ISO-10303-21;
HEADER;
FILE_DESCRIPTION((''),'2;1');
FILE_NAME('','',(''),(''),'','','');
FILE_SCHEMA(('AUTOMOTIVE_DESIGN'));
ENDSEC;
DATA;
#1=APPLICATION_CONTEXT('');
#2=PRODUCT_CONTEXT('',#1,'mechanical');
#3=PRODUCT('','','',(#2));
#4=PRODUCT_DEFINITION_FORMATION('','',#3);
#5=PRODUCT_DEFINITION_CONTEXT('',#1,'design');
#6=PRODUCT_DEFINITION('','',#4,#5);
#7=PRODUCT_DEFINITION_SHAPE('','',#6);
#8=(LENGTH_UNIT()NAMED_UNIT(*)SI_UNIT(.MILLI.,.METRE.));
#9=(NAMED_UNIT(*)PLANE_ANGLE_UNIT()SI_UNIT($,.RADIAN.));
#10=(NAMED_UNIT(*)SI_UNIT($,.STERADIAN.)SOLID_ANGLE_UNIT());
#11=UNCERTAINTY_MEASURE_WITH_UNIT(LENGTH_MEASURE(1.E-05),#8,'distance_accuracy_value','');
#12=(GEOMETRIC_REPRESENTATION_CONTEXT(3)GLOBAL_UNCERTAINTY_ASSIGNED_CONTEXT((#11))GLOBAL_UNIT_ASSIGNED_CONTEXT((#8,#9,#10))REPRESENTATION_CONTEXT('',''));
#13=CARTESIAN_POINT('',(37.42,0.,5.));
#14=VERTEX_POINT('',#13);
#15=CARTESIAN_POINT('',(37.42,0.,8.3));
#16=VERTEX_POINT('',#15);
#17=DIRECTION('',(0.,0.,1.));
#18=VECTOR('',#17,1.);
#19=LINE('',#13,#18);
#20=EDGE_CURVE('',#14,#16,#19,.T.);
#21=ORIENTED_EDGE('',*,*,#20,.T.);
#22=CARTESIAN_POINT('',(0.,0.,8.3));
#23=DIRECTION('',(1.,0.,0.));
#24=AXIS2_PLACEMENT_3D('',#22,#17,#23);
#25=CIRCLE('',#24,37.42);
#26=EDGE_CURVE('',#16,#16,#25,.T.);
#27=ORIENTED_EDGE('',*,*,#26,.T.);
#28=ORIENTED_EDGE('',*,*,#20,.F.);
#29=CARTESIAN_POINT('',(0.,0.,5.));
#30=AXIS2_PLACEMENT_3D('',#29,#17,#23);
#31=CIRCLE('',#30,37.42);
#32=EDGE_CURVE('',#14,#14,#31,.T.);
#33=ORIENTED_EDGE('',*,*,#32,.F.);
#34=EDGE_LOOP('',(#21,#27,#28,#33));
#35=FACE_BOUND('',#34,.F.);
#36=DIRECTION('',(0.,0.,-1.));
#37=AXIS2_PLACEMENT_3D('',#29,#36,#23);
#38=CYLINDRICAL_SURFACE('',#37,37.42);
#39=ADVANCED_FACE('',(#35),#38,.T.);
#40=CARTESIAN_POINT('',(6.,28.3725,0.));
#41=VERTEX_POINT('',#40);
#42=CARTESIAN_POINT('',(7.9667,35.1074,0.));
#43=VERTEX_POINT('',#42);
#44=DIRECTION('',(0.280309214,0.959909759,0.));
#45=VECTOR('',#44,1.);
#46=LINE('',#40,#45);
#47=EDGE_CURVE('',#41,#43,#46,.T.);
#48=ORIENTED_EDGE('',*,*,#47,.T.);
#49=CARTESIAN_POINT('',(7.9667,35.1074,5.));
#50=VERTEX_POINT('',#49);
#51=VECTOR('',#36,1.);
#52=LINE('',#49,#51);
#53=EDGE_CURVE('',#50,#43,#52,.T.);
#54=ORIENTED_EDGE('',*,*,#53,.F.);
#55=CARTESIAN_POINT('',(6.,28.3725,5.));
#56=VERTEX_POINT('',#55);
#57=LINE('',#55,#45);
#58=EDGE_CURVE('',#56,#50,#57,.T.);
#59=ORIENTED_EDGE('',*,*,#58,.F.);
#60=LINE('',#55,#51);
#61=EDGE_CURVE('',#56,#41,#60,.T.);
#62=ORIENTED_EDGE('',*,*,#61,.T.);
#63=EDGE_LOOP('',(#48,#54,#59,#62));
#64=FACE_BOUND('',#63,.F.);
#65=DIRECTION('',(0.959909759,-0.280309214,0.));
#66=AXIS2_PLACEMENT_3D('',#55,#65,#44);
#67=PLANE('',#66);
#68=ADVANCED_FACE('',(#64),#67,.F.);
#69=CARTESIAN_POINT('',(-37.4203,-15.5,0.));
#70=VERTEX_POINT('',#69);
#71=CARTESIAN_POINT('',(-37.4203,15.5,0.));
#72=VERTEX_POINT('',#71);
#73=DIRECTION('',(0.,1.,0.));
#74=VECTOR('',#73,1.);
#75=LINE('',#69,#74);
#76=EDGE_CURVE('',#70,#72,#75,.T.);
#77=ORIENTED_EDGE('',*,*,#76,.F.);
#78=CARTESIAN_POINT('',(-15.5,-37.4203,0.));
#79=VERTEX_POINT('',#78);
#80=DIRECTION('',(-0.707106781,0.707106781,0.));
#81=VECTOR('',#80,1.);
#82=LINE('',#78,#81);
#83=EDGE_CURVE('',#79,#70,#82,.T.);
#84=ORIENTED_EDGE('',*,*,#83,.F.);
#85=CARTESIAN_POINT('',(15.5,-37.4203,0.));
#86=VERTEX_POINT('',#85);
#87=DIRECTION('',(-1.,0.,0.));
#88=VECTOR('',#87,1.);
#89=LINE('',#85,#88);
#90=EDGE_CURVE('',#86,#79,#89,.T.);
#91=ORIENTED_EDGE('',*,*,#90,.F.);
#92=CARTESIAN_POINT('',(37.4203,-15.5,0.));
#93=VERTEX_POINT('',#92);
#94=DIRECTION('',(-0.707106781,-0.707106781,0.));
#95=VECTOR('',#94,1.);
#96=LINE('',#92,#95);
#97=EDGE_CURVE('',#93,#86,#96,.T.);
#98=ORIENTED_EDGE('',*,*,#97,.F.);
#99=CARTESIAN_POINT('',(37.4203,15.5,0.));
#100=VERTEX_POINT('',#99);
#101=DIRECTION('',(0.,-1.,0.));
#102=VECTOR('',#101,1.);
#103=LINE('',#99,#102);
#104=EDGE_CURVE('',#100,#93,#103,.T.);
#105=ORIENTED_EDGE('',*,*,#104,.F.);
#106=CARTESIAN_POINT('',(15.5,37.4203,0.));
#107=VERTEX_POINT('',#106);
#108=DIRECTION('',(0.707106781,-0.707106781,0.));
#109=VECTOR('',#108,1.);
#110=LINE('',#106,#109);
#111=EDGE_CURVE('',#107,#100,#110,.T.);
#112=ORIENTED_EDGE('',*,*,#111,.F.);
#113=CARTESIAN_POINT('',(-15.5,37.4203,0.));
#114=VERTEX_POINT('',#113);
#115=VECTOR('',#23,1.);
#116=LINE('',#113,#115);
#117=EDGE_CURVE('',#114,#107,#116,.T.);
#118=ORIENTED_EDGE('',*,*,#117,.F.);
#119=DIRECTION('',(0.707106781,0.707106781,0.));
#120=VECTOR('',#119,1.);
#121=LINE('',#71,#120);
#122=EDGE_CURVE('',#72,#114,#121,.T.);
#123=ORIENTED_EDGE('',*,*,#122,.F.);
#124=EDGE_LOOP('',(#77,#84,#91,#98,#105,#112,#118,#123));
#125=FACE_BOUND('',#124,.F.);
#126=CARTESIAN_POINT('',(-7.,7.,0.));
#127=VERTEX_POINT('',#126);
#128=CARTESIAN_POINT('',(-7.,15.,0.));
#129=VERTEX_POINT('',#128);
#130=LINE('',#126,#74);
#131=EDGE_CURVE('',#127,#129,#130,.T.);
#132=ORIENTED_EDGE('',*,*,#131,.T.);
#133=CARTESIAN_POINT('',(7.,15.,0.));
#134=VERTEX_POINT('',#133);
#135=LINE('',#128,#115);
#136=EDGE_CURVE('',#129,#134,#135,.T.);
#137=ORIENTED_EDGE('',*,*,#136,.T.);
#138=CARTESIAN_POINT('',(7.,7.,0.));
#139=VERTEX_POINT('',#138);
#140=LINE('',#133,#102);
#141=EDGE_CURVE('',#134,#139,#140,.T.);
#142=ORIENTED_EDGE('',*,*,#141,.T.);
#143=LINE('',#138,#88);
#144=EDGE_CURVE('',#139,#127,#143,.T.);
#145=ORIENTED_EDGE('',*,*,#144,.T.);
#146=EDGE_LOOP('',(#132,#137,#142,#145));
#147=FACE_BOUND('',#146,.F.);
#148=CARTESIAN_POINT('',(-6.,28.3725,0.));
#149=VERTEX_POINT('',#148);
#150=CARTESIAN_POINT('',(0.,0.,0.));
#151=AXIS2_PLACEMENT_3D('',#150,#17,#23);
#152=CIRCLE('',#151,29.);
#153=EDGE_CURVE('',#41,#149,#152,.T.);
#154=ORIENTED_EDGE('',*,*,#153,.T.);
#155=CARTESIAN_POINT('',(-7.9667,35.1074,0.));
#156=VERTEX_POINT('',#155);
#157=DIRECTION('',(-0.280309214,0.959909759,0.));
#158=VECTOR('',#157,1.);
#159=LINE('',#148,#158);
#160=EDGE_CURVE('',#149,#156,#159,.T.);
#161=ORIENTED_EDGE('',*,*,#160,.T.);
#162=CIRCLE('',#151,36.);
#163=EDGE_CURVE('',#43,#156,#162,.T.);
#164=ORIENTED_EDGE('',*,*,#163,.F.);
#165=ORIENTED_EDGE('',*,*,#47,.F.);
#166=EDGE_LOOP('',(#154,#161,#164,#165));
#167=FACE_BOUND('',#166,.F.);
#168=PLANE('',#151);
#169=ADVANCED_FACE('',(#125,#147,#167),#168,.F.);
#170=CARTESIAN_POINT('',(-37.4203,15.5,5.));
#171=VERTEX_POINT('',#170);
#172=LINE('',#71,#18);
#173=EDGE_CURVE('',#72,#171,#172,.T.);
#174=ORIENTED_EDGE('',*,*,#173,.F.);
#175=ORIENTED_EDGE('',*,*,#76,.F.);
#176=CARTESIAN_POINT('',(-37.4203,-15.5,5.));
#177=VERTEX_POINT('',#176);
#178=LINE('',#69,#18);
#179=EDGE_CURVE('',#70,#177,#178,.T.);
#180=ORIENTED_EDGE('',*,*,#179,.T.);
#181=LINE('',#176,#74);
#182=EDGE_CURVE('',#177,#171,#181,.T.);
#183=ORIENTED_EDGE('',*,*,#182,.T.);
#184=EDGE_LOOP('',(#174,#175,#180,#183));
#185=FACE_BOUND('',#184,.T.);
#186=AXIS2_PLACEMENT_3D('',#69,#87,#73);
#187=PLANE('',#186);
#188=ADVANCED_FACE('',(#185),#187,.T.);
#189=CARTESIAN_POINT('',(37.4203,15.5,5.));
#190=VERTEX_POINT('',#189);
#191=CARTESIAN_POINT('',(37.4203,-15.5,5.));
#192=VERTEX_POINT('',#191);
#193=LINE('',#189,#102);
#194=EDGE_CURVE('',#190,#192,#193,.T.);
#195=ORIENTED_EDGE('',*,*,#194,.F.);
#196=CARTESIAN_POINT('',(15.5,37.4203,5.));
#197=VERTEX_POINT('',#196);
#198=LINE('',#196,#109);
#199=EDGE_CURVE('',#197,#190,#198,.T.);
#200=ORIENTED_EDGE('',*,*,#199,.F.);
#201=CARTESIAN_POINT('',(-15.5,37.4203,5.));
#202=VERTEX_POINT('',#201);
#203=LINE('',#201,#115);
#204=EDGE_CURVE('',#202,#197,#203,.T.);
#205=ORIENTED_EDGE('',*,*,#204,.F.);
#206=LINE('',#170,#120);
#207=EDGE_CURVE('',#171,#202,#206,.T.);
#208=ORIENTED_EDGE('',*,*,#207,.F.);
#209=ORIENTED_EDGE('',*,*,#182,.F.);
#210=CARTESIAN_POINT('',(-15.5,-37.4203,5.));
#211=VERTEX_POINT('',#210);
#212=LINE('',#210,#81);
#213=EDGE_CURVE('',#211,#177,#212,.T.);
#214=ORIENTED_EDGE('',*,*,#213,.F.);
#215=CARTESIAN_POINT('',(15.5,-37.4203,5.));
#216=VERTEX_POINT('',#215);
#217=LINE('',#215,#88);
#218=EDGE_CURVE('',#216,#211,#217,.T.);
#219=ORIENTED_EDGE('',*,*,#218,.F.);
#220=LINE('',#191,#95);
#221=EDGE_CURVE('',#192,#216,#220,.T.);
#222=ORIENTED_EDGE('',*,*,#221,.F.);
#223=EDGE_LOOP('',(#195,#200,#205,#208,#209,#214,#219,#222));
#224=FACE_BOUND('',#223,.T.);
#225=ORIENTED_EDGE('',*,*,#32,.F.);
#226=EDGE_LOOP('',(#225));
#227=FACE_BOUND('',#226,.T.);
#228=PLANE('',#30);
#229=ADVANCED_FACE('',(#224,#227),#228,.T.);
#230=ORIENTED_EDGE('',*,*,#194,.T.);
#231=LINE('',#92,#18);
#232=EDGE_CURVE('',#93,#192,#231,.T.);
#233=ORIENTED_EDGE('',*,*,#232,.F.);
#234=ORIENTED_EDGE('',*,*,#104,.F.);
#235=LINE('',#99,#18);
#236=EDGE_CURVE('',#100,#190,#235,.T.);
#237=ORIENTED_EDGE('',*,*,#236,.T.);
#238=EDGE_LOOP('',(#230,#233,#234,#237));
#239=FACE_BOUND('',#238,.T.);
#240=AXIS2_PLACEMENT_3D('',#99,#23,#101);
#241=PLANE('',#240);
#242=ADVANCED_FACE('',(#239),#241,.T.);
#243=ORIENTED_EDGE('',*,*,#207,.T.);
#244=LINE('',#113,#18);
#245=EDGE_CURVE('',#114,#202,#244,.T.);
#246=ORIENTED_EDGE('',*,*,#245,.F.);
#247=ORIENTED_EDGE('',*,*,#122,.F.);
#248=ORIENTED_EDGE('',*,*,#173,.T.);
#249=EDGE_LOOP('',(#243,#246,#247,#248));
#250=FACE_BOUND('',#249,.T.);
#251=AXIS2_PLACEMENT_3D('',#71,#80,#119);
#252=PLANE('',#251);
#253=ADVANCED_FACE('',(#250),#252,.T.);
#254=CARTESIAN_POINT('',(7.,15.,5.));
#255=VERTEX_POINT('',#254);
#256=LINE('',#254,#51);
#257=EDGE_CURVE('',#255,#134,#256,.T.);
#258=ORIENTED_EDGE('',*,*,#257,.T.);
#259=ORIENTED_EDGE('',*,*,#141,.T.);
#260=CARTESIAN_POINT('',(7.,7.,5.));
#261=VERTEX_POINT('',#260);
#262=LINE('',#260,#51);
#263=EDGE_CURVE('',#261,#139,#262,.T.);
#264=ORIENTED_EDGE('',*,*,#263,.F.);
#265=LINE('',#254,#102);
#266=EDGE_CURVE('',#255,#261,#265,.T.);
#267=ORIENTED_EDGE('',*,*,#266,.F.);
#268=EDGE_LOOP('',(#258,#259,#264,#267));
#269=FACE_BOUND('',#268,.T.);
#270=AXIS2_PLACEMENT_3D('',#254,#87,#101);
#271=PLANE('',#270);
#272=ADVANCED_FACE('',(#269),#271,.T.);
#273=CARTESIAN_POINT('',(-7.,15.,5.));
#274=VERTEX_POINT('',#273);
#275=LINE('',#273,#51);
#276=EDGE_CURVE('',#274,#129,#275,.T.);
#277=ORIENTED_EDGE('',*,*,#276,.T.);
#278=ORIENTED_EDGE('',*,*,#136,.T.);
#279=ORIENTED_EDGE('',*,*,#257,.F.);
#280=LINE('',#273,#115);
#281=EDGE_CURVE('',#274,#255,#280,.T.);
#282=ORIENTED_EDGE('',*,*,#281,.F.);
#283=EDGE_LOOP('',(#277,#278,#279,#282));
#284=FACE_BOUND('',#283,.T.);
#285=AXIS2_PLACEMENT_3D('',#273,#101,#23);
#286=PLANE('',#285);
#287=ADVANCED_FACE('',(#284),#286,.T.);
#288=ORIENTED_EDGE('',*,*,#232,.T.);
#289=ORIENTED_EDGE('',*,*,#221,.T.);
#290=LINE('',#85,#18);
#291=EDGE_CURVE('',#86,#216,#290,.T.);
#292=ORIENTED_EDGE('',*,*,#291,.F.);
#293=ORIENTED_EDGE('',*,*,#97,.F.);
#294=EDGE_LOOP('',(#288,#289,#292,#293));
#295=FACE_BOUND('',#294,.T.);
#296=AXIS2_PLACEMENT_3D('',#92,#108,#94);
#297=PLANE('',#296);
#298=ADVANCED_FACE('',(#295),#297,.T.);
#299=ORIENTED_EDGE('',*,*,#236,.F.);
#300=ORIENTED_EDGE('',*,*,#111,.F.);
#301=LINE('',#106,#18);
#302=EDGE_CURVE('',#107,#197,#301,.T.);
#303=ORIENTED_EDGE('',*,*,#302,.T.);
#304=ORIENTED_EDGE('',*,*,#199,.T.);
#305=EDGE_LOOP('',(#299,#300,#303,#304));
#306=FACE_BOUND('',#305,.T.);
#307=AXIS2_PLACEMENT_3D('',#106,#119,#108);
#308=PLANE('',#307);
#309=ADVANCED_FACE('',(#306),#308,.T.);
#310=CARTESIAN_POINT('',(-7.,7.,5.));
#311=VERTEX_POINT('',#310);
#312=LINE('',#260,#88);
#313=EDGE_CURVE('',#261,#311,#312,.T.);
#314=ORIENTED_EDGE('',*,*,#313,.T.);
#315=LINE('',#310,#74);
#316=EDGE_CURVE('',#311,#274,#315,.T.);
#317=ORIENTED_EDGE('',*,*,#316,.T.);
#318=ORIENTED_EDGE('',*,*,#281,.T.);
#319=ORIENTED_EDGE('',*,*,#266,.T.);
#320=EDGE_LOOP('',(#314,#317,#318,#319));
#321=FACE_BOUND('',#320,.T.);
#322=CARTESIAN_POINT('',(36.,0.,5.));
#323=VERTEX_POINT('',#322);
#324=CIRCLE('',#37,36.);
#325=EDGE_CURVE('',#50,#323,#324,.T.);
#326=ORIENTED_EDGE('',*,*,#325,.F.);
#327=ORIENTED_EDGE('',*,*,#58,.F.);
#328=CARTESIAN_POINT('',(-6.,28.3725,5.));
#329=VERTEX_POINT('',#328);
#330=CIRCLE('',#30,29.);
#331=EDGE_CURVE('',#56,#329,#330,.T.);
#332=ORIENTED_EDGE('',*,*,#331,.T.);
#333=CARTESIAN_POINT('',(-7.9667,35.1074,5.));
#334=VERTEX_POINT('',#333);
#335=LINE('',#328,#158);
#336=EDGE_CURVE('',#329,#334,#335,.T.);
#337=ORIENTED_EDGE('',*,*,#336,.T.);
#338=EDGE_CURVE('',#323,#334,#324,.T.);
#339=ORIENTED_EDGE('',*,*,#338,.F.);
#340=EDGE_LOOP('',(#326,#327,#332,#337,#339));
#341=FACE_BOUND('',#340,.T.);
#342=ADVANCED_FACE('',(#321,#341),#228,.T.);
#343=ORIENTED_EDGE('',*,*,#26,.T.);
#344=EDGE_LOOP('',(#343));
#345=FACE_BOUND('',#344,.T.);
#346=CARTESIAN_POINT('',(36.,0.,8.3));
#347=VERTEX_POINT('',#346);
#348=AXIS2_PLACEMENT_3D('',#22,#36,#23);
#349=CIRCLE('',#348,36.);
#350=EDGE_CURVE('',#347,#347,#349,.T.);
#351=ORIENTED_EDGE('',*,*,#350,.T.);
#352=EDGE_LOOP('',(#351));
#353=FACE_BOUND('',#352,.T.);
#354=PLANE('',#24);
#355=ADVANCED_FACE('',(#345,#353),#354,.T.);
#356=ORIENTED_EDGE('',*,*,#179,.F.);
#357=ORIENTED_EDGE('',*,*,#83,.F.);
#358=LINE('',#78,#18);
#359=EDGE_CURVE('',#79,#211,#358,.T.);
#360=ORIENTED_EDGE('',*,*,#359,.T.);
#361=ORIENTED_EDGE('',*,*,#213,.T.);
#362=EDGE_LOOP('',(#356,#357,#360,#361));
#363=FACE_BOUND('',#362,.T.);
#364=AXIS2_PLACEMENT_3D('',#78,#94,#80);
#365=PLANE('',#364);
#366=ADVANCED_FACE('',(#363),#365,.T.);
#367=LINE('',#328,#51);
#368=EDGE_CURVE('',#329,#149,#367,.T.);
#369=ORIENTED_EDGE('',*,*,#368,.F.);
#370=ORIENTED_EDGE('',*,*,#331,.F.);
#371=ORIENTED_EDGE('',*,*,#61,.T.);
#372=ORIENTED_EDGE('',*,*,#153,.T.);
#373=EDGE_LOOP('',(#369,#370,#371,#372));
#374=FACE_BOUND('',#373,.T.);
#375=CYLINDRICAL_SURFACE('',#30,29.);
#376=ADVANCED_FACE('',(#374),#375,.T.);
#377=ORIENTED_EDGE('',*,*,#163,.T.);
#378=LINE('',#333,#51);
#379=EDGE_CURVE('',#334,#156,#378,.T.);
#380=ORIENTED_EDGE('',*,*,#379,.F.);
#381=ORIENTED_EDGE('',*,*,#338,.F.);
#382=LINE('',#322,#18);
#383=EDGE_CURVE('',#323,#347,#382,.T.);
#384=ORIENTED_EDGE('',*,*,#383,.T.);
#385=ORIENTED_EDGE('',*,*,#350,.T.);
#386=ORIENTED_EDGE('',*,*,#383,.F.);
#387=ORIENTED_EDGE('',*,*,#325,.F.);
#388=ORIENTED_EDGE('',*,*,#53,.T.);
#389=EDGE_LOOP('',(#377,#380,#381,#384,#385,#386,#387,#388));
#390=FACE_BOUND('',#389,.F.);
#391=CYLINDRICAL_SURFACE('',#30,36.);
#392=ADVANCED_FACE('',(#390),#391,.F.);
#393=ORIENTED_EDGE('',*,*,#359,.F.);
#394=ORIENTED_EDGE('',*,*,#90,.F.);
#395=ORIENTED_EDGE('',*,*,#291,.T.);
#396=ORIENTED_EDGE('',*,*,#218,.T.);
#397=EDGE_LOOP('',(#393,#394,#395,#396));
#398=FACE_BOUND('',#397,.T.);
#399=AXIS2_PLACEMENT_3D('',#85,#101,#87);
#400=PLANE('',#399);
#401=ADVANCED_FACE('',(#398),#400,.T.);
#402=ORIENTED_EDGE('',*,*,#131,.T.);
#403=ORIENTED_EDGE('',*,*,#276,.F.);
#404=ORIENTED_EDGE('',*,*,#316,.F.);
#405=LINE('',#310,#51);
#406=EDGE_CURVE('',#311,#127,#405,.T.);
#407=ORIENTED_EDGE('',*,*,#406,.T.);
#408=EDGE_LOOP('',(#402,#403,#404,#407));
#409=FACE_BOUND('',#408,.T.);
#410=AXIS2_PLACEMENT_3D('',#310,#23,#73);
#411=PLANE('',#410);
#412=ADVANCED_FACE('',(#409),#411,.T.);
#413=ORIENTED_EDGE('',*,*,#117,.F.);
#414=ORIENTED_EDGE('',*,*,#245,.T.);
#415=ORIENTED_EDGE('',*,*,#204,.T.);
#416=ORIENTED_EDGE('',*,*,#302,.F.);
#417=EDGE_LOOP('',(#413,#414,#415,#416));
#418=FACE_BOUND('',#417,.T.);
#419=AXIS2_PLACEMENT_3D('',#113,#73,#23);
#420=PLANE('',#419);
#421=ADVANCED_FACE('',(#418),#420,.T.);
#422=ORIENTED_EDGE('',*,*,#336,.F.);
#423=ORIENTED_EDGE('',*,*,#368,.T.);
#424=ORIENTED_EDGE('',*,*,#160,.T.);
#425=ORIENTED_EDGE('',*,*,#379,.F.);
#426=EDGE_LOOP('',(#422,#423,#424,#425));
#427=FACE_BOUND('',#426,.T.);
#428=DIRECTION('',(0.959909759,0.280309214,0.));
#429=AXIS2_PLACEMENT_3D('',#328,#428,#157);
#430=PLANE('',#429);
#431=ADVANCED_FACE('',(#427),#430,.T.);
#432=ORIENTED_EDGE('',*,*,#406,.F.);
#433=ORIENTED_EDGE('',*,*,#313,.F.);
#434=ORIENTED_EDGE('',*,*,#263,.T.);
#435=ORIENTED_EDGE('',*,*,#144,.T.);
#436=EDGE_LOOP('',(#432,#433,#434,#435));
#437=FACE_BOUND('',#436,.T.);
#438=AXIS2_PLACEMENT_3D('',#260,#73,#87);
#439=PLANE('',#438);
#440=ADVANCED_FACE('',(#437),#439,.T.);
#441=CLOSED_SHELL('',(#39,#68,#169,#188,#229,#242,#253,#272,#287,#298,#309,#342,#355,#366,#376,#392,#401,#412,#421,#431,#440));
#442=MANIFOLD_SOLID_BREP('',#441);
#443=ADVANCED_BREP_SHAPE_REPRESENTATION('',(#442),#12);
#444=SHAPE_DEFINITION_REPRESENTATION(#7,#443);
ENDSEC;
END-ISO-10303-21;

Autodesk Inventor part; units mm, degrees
ref_plane "YZ Plane" through (0, 0, 0) normal (1, 0, 0) x (0, 1, 0)
ref_plane "XZ Plane" through (0, 0, 0) normal (0, 1, 0) x (-1, 0, 0)
ref_plane "XY Plane" through (0, 0, 0) normal (0, 0, 1) x (1, 0, 0)
sketch "Sketch1" plane through (0, 0, 0) normal (0, 0, 1) x (1, 0, 0)
  line L0 (37.4203, -15.5) -> (15.5, -37.4203)
  line L1 (15.5, -37.4203) -> (-15.5, -37.4203)
  line L2 (-15.5, -37.4203) -> (-37.4203, -15.5)
  line L3 (-37.4203, -15.5) -> (-37.4203, 15.5)
  line L4 (-37.4203, 15.5) -> (-15.5, 37.4203)
  line L5 (-15.5, 37.4203) -> (15.5, 37.4203)
  line L6 (15.5, 37.4203) -> (37.4203, 15.5)
  line L7 (37.4203, 15.5) -> (37.4203, -15.5)
  point P0 (0, 0)
  point P1 (0, 0)
  dimension "d0" = 31
  dimension "d1" = 0
extrude "Extrusion3" add sketch "Sketch1" along normal blind 5
sketch "Sketch5" plane through (0, 0, 5) normal (0, 0, 1) x (1, 0, 0)
  circle A0 centre (0, 0) radius 36
  circle A1 centre (0, 0) radius 37.42
  line L0 (-7, 15) -> (7, 15)
  line L1 (7, 15) -> (7, 7)
  line L2 (7, 7) -> (-7, 7)
  line L3 (-7, 7) -> (-7, 15)
  line L4 (0, 29) -> (0, 22) construction
  line L5 (0, 29) -> (7, 29) construction
  circle A2 centre (0, 0) radius 29
  line L6 (-6, 28.3725) -> (-7.9667, 35.1074)
  line L7 (6, 28.3725) -> (7.9667, 35.1074)
  dimension "d14" = 72
  dimension "d15" = 74.84
  dimension "d16" = 14
  dimension "d17" = 8
  dimension "d18" = 7
  dimension "d19" = 15
  dimension "d24" = 29
  dimension "d27" = 6
  dimension "d28" = 0
extrude "Extrusion4" add sketch "Sketch5" along normal blind 3.3 contours A1
extrude "Extrusion5" cut sketch "Sketch5" against normal blind 5 contours L0 L1 L2 L3
extrude "Extrusion6" cut sketch "Sketch5" against normal blind 5 contours L7 A2 L6 A0 picked at (-0.671, 33.577)
properties part number "LEDR03"
